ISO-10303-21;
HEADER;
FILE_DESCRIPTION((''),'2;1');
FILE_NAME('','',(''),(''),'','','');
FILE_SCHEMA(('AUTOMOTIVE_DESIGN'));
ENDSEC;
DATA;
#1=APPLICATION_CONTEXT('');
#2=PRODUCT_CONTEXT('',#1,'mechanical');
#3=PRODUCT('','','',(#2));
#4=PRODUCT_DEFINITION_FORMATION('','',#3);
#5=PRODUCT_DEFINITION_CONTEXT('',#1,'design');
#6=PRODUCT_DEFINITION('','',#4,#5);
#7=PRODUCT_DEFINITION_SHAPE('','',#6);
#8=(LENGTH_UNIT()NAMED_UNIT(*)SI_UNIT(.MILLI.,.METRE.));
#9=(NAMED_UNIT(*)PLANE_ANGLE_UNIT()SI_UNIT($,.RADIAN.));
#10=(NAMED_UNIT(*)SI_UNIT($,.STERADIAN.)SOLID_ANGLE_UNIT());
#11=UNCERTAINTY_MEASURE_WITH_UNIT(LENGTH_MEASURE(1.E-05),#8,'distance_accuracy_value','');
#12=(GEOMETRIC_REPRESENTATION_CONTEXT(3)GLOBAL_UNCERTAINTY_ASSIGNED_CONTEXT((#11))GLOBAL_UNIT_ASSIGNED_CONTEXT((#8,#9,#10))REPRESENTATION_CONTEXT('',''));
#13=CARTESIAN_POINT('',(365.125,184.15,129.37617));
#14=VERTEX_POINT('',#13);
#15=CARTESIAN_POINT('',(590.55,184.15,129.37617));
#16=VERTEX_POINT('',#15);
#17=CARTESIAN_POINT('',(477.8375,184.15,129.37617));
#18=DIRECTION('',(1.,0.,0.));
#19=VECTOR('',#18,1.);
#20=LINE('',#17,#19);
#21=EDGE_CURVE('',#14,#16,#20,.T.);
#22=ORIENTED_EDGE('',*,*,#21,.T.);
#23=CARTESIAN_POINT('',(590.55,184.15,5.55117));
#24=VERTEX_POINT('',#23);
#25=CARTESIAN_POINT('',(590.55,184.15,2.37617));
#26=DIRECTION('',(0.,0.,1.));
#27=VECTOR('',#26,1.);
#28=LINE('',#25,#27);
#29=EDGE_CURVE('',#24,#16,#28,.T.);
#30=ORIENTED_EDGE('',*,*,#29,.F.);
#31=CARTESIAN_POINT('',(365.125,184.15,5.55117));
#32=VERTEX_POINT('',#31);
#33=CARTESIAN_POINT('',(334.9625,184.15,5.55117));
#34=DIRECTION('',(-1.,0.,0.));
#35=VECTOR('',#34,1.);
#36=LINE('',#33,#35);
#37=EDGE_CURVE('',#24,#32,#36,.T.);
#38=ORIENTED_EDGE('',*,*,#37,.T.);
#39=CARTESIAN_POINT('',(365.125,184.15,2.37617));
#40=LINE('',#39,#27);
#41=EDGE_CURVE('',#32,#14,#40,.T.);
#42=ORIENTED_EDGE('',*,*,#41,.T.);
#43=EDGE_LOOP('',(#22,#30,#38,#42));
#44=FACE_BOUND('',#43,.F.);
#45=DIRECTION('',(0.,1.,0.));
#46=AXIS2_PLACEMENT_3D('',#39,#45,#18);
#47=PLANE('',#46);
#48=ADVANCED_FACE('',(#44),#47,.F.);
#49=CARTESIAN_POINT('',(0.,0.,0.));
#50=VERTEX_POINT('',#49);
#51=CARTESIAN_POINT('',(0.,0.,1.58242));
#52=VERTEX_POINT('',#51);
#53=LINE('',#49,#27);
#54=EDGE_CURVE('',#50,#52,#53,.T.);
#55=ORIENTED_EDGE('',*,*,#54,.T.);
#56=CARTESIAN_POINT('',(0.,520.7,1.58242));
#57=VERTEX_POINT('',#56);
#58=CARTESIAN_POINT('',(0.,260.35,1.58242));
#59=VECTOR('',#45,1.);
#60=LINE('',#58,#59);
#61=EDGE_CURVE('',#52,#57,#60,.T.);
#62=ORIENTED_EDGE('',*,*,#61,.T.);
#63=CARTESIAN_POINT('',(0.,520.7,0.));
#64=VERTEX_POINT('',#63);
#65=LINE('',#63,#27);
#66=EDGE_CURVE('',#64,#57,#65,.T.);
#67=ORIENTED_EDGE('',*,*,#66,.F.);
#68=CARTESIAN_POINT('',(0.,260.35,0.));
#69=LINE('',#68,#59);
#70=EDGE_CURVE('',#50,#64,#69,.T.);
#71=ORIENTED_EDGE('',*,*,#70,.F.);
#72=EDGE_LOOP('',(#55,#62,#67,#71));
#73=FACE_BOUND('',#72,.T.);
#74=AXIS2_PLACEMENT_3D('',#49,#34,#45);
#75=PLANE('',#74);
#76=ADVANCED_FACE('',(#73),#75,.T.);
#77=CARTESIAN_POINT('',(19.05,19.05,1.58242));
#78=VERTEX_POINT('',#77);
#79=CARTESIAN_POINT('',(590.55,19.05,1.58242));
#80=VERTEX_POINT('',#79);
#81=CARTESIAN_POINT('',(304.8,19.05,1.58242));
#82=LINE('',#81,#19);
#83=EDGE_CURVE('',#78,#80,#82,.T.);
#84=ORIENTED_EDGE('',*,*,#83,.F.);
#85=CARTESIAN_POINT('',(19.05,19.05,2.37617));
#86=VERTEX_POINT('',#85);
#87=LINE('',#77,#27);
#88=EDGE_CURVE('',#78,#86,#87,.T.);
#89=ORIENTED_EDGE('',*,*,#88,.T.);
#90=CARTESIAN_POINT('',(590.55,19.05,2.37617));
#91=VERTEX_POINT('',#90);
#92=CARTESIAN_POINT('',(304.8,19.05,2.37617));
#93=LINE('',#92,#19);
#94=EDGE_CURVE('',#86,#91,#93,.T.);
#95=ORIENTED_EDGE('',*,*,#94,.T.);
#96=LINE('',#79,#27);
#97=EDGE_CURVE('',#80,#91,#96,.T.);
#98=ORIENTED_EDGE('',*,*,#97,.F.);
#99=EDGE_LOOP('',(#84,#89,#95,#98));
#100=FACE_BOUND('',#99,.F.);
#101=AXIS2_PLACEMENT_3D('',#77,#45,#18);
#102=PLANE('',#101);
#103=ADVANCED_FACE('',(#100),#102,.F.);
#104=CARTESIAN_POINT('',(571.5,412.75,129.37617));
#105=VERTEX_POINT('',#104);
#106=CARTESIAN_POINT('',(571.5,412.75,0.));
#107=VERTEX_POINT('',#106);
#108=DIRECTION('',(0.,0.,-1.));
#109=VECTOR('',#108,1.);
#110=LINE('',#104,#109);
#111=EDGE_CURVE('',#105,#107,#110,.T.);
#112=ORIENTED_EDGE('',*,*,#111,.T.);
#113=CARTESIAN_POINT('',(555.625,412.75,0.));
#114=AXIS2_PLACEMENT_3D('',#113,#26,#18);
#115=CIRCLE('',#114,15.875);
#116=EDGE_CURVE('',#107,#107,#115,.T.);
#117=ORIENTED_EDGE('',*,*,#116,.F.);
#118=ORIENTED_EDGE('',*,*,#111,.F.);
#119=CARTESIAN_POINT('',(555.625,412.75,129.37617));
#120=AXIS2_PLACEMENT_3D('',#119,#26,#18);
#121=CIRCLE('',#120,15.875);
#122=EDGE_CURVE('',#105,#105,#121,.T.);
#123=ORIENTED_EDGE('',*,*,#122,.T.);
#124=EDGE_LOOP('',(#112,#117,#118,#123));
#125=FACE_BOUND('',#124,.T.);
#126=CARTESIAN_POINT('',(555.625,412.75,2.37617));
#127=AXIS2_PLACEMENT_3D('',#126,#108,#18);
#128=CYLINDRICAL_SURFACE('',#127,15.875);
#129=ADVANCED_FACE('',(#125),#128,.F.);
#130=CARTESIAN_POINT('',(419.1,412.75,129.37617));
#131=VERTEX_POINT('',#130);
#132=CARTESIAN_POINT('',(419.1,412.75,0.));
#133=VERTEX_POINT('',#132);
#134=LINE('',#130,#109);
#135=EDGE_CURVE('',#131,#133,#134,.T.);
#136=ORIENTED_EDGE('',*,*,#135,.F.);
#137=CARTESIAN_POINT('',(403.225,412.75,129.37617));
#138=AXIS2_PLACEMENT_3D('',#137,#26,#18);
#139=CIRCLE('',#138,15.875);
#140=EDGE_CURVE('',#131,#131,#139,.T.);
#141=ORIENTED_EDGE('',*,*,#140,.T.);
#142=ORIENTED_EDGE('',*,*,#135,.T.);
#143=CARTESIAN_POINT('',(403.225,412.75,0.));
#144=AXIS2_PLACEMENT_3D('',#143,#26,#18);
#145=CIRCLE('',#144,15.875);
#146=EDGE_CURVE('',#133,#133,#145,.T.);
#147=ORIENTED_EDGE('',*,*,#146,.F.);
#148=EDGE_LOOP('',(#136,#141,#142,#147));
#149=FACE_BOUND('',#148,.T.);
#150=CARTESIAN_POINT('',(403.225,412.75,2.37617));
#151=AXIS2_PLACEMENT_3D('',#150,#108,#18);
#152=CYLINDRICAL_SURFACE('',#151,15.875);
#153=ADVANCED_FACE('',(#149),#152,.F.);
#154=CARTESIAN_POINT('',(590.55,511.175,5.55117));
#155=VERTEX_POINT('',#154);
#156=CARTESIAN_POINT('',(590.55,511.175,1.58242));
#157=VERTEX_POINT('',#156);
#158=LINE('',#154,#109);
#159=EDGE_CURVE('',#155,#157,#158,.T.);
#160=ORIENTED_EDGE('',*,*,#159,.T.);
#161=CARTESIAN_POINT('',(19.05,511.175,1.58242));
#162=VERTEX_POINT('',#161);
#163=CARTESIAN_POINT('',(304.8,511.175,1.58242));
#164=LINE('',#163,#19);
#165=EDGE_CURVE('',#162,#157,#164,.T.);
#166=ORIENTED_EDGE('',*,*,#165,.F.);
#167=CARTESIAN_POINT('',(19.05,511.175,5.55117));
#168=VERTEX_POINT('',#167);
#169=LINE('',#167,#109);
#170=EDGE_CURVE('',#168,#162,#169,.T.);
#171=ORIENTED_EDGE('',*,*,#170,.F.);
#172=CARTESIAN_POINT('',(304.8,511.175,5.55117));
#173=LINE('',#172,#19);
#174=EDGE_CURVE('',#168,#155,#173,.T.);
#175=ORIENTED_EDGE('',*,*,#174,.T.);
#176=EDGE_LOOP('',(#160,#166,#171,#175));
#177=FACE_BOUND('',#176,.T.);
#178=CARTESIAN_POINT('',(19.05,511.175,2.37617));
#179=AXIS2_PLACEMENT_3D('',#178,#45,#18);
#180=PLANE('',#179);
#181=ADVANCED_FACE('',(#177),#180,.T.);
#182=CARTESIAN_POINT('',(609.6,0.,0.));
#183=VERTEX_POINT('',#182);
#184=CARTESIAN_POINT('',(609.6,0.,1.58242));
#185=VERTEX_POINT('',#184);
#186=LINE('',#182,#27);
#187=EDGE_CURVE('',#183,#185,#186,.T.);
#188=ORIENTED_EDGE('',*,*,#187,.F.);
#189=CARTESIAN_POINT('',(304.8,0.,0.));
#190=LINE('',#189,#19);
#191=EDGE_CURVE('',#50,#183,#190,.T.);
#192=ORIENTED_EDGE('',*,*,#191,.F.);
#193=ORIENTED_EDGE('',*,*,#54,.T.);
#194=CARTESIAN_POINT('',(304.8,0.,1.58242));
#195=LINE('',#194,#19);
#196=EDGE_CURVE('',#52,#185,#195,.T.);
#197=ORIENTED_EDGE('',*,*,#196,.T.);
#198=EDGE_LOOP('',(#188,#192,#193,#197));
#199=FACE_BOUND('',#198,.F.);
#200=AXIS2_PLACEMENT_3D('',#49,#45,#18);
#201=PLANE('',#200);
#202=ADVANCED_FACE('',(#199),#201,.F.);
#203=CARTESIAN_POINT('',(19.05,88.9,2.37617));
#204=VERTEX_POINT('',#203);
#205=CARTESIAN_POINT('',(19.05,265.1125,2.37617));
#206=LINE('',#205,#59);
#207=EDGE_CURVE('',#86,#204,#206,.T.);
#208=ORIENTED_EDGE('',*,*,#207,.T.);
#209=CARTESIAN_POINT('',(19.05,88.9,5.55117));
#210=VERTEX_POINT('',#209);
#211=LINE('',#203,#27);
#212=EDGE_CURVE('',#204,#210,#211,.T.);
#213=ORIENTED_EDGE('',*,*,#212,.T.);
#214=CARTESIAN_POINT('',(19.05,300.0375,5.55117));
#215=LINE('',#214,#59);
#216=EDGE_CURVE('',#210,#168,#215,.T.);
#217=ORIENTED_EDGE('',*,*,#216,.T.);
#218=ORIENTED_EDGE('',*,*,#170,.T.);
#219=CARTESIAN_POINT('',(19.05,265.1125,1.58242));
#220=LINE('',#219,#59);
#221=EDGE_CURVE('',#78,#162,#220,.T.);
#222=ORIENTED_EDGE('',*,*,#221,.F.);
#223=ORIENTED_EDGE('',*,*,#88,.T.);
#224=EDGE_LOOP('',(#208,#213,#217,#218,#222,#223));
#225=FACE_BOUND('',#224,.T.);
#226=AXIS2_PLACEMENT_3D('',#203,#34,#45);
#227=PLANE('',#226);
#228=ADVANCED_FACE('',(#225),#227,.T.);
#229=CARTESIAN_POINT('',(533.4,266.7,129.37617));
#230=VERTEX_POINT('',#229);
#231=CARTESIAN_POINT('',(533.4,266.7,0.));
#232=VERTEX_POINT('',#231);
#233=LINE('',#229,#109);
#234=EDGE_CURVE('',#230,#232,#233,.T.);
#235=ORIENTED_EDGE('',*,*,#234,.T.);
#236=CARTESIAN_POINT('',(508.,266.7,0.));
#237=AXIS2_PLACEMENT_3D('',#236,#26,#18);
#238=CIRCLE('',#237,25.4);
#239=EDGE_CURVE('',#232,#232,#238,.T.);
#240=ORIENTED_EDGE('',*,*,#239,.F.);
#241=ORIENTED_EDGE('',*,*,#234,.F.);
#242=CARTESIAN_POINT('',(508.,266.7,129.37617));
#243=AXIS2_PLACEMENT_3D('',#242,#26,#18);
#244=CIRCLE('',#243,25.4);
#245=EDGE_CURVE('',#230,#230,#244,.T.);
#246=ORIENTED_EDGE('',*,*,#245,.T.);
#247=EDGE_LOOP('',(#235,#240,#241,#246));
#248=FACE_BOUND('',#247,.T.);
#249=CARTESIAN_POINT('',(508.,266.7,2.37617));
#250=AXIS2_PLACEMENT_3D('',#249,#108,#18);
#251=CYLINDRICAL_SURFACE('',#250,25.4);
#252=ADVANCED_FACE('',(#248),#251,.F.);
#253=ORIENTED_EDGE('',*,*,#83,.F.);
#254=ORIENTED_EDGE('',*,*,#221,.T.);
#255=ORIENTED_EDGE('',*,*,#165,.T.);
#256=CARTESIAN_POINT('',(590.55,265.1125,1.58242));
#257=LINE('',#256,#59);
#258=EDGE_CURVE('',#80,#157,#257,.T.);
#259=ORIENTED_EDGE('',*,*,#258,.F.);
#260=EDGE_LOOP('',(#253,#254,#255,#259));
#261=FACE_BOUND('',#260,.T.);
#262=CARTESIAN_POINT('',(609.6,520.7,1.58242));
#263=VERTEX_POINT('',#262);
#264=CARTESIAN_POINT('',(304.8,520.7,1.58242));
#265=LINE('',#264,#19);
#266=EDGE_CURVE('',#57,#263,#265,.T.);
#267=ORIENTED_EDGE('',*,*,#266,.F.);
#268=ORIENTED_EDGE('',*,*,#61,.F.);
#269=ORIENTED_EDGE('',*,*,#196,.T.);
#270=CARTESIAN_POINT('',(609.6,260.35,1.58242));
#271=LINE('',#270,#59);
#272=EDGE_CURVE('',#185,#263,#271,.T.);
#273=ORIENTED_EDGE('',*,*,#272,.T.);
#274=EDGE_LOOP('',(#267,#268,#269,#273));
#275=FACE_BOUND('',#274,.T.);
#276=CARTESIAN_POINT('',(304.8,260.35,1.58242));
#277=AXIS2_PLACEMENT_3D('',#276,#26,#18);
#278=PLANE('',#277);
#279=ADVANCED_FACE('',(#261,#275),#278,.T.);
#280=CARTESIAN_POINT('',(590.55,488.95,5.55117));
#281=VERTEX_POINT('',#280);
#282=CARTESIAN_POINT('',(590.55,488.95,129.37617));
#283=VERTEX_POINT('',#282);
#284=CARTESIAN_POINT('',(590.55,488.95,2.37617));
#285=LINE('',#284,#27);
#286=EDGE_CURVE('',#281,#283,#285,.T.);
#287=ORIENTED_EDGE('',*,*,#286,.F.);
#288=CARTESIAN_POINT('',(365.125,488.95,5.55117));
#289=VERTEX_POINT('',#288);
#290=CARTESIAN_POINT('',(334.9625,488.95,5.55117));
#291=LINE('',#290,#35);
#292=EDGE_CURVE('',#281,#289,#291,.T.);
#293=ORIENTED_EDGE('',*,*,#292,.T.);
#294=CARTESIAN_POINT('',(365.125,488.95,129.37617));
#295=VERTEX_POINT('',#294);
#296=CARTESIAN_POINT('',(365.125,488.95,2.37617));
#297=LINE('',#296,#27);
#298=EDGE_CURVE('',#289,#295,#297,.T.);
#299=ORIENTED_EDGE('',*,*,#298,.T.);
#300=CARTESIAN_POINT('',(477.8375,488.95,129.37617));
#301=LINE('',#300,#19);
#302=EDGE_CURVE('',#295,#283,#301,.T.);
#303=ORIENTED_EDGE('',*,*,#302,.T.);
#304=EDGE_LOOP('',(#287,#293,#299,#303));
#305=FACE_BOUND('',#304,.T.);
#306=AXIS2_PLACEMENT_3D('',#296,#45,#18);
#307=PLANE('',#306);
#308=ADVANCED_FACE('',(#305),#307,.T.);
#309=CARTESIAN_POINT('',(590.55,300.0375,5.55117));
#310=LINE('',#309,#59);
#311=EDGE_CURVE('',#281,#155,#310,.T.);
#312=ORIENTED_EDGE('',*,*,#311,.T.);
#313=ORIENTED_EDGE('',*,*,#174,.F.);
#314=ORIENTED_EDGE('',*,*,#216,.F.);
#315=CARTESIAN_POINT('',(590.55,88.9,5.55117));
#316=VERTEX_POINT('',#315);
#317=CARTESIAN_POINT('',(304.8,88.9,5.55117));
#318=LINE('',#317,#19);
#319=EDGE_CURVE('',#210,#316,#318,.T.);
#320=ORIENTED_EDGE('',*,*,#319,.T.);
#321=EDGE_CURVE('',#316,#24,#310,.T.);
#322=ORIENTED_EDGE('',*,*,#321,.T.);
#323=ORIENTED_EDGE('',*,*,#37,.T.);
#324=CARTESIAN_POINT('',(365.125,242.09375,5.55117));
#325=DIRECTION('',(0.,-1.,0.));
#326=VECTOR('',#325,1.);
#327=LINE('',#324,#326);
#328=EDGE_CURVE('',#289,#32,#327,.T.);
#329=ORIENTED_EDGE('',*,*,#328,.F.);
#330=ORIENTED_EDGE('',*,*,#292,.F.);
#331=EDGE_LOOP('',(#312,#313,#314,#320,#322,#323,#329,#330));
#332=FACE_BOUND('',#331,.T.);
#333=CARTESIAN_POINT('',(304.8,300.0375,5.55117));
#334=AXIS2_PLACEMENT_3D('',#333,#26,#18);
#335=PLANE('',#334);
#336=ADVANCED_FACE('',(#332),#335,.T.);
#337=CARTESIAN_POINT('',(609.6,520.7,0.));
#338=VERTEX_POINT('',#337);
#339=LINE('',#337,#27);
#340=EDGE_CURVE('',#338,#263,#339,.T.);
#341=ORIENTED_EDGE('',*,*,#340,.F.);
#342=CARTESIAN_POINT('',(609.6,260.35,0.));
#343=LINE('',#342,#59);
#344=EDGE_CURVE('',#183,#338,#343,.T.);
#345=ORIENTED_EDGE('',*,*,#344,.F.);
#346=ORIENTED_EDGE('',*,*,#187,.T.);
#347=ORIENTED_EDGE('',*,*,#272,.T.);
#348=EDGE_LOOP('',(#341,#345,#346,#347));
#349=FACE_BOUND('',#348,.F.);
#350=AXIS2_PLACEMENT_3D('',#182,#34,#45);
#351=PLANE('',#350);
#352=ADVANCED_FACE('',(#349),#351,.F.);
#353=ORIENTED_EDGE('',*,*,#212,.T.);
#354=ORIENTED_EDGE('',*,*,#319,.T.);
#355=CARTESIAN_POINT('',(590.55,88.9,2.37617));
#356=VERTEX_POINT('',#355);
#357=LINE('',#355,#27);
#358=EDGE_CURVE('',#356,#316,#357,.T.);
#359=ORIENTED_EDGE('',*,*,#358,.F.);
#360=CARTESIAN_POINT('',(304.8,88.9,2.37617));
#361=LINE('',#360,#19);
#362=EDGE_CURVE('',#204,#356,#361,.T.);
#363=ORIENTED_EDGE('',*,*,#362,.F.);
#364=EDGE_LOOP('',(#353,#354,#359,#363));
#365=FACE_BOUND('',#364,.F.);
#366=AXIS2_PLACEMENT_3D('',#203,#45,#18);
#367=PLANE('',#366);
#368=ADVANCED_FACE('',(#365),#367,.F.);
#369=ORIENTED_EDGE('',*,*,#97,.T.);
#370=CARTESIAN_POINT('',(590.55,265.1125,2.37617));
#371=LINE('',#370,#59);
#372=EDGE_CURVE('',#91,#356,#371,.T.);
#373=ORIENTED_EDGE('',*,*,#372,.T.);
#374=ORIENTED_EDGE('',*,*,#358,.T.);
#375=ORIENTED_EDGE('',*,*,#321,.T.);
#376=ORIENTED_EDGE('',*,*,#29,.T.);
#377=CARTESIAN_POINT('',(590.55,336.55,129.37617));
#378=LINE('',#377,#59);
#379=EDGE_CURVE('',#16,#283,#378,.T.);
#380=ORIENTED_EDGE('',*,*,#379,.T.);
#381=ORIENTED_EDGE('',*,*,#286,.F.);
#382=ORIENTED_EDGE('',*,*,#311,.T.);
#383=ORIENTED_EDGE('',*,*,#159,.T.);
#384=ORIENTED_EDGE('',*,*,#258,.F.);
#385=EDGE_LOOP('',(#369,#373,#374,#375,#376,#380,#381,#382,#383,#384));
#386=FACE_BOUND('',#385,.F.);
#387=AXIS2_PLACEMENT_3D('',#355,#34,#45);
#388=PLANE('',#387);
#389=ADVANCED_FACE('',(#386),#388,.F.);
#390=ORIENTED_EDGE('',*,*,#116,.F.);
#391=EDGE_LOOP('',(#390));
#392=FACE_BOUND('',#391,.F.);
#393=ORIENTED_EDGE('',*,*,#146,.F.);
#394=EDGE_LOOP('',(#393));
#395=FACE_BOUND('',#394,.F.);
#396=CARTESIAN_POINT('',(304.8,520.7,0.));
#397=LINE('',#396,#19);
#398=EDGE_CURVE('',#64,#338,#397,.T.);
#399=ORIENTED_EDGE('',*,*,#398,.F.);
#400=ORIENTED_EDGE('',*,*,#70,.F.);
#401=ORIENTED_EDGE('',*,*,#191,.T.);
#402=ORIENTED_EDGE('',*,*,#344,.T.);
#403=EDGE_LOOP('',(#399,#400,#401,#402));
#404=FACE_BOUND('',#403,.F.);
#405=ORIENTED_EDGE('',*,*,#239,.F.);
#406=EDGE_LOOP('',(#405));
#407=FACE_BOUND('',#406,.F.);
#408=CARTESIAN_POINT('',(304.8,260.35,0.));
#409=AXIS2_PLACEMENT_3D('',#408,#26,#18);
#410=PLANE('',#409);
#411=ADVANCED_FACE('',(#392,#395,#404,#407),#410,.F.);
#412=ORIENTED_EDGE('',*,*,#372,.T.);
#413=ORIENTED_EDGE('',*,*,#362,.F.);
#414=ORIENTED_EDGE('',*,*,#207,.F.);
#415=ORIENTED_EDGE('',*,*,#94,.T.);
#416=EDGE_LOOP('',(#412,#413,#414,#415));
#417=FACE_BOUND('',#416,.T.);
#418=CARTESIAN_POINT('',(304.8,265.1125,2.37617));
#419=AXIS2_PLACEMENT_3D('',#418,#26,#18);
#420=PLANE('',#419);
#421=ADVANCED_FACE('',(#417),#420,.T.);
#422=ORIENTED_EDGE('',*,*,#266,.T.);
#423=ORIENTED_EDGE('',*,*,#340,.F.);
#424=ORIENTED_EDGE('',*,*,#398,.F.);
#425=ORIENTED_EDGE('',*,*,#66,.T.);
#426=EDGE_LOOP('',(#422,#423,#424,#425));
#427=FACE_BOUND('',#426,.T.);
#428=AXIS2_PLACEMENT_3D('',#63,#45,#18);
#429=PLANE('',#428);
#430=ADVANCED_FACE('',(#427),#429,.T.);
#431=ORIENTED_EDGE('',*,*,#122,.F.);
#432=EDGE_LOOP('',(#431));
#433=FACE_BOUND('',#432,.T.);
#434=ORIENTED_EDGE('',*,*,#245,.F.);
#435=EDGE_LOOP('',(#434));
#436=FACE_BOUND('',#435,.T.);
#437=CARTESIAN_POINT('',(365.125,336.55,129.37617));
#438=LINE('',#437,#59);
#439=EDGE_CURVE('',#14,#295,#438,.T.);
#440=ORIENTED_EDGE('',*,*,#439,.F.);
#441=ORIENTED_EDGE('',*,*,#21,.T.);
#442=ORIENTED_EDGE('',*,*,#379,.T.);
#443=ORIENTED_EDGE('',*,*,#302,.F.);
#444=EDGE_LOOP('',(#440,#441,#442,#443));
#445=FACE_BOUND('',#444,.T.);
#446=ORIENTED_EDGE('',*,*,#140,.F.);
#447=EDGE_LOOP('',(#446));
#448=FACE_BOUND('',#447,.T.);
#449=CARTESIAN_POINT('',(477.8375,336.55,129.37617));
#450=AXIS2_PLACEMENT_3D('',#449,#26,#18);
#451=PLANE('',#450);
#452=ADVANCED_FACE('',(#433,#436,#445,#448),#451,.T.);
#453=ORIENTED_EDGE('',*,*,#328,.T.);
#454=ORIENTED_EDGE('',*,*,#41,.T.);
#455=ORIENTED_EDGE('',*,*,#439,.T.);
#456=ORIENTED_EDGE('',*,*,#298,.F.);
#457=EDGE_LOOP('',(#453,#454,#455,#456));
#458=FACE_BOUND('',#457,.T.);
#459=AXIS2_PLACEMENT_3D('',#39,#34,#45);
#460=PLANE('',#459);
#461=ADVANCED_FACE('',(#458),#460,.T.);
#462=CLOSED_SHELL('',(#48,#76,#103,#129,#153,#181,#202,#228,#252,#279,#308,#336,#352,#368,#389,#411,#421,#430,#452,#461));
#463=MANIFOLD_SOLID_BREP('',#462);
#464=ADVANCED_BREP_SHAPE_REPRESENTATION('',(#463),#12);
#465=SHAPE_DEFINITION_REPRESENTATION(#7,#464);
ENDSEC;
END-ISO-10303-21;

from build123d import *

# Parameters (mm, degrees)
F0_W     = 609.6
F0_H     = 520.7
F0_R     = 25.4
F0_R_2   = 15.875
F1_DEPTH = 1.58242
F2_W     = 571.5
F2_H     = 492.125
F2_R     = 25.4
F2_R_2   = 15.875
F3_DEPTH = 0.79375
F4_W     = 571.5
F4_H     = 422.275
F4_R     = 25.4
F4_R_2   = 15.875
F5_DEPTH = 3.175
F6_W     = 225.425
F6_H     = 304.8
F6_R     = 25.4
F6_R_2   = 15.875
F7_DEPTH = 127


with BuildPart() as f1:
    # F0 (on Top) → F1 (new body)
    with BuildSketch(Plane.XY):
        with Locations((304.8, 260.35)):
            Rectangle(F0_W, F0_H)
        with Locations((508, 266.7)):
            Circle(F0_R, mode=Mode.SUBTRACT)
        with Locations((403.225, 412.75)):
            Circle(F0_R_2, mode=Mode.SUBTRACT)
        with Locations((555.625, 412.75)):
            Circle(F0_R_2, mode=Mode.SUBTRACT)
    extrude(amount=F1_DEPTH)

    # F2 (on face) → F3 (join)
    with BuildSketch(Plane.XY.offset(1.58242)):
        with Locations((304.8, 265.1125)):
            Rectangle(F2_W, F2_H)
        with Locations((508, 266.7)):
            Circle(F2_R, mode=Mode.SUBTRACT)
        with Locations((403.225, 412.75)):
            Circle(F2_R_2, mode=Mode.SUBTRACT)
        with Locations((555.625, 412.75)):
            Circle(F2_R_2, mode=Mode.SUBTRACT)
    extrude(amount=F3_DEPTH)

    # F4 (on face) → F5 (join)
    with BuildSketch(Plane.XY.offset(2.37617)):
        with Locations((304.8, 300.0375)):
            Rectangle(F4_W, F4_H)
        with Locations((508, 266.7)):
            Circle(F4_R, mode=Mode.SUBTRACT)
        with Locations((403.225, 412.75)):
            Circle(F4_R_2, mode=Mode.SUBTRACT)
        with Locations((555.625, 412.75)):
            Circle(F4_R_2, mode=Mode.SUBTRACT)
    extrude(amount=F5_DEPTH)

    # F6 (on face) → F7 (join)
    with BuildSketch(Plane.XY.offset(2.37617)):
        with Locations((477.8375, 336.55)):
            Rectangle(F6_W, F6_H)
        with Locations((508, 266.7)):
            Circle(F6_R, mode=Mode.SUBTRACT)
        with Locations((403.225, 412.75)):
            Circle(F6_R_2, mode=Mode.SUBTRACT)
        with Locations((555.625, 412.75)):
            Circle(F6_R_2, mode=Mode.SUBTRACT)
    extrude(amount=F7_DEPTH)


solid = f1.part
